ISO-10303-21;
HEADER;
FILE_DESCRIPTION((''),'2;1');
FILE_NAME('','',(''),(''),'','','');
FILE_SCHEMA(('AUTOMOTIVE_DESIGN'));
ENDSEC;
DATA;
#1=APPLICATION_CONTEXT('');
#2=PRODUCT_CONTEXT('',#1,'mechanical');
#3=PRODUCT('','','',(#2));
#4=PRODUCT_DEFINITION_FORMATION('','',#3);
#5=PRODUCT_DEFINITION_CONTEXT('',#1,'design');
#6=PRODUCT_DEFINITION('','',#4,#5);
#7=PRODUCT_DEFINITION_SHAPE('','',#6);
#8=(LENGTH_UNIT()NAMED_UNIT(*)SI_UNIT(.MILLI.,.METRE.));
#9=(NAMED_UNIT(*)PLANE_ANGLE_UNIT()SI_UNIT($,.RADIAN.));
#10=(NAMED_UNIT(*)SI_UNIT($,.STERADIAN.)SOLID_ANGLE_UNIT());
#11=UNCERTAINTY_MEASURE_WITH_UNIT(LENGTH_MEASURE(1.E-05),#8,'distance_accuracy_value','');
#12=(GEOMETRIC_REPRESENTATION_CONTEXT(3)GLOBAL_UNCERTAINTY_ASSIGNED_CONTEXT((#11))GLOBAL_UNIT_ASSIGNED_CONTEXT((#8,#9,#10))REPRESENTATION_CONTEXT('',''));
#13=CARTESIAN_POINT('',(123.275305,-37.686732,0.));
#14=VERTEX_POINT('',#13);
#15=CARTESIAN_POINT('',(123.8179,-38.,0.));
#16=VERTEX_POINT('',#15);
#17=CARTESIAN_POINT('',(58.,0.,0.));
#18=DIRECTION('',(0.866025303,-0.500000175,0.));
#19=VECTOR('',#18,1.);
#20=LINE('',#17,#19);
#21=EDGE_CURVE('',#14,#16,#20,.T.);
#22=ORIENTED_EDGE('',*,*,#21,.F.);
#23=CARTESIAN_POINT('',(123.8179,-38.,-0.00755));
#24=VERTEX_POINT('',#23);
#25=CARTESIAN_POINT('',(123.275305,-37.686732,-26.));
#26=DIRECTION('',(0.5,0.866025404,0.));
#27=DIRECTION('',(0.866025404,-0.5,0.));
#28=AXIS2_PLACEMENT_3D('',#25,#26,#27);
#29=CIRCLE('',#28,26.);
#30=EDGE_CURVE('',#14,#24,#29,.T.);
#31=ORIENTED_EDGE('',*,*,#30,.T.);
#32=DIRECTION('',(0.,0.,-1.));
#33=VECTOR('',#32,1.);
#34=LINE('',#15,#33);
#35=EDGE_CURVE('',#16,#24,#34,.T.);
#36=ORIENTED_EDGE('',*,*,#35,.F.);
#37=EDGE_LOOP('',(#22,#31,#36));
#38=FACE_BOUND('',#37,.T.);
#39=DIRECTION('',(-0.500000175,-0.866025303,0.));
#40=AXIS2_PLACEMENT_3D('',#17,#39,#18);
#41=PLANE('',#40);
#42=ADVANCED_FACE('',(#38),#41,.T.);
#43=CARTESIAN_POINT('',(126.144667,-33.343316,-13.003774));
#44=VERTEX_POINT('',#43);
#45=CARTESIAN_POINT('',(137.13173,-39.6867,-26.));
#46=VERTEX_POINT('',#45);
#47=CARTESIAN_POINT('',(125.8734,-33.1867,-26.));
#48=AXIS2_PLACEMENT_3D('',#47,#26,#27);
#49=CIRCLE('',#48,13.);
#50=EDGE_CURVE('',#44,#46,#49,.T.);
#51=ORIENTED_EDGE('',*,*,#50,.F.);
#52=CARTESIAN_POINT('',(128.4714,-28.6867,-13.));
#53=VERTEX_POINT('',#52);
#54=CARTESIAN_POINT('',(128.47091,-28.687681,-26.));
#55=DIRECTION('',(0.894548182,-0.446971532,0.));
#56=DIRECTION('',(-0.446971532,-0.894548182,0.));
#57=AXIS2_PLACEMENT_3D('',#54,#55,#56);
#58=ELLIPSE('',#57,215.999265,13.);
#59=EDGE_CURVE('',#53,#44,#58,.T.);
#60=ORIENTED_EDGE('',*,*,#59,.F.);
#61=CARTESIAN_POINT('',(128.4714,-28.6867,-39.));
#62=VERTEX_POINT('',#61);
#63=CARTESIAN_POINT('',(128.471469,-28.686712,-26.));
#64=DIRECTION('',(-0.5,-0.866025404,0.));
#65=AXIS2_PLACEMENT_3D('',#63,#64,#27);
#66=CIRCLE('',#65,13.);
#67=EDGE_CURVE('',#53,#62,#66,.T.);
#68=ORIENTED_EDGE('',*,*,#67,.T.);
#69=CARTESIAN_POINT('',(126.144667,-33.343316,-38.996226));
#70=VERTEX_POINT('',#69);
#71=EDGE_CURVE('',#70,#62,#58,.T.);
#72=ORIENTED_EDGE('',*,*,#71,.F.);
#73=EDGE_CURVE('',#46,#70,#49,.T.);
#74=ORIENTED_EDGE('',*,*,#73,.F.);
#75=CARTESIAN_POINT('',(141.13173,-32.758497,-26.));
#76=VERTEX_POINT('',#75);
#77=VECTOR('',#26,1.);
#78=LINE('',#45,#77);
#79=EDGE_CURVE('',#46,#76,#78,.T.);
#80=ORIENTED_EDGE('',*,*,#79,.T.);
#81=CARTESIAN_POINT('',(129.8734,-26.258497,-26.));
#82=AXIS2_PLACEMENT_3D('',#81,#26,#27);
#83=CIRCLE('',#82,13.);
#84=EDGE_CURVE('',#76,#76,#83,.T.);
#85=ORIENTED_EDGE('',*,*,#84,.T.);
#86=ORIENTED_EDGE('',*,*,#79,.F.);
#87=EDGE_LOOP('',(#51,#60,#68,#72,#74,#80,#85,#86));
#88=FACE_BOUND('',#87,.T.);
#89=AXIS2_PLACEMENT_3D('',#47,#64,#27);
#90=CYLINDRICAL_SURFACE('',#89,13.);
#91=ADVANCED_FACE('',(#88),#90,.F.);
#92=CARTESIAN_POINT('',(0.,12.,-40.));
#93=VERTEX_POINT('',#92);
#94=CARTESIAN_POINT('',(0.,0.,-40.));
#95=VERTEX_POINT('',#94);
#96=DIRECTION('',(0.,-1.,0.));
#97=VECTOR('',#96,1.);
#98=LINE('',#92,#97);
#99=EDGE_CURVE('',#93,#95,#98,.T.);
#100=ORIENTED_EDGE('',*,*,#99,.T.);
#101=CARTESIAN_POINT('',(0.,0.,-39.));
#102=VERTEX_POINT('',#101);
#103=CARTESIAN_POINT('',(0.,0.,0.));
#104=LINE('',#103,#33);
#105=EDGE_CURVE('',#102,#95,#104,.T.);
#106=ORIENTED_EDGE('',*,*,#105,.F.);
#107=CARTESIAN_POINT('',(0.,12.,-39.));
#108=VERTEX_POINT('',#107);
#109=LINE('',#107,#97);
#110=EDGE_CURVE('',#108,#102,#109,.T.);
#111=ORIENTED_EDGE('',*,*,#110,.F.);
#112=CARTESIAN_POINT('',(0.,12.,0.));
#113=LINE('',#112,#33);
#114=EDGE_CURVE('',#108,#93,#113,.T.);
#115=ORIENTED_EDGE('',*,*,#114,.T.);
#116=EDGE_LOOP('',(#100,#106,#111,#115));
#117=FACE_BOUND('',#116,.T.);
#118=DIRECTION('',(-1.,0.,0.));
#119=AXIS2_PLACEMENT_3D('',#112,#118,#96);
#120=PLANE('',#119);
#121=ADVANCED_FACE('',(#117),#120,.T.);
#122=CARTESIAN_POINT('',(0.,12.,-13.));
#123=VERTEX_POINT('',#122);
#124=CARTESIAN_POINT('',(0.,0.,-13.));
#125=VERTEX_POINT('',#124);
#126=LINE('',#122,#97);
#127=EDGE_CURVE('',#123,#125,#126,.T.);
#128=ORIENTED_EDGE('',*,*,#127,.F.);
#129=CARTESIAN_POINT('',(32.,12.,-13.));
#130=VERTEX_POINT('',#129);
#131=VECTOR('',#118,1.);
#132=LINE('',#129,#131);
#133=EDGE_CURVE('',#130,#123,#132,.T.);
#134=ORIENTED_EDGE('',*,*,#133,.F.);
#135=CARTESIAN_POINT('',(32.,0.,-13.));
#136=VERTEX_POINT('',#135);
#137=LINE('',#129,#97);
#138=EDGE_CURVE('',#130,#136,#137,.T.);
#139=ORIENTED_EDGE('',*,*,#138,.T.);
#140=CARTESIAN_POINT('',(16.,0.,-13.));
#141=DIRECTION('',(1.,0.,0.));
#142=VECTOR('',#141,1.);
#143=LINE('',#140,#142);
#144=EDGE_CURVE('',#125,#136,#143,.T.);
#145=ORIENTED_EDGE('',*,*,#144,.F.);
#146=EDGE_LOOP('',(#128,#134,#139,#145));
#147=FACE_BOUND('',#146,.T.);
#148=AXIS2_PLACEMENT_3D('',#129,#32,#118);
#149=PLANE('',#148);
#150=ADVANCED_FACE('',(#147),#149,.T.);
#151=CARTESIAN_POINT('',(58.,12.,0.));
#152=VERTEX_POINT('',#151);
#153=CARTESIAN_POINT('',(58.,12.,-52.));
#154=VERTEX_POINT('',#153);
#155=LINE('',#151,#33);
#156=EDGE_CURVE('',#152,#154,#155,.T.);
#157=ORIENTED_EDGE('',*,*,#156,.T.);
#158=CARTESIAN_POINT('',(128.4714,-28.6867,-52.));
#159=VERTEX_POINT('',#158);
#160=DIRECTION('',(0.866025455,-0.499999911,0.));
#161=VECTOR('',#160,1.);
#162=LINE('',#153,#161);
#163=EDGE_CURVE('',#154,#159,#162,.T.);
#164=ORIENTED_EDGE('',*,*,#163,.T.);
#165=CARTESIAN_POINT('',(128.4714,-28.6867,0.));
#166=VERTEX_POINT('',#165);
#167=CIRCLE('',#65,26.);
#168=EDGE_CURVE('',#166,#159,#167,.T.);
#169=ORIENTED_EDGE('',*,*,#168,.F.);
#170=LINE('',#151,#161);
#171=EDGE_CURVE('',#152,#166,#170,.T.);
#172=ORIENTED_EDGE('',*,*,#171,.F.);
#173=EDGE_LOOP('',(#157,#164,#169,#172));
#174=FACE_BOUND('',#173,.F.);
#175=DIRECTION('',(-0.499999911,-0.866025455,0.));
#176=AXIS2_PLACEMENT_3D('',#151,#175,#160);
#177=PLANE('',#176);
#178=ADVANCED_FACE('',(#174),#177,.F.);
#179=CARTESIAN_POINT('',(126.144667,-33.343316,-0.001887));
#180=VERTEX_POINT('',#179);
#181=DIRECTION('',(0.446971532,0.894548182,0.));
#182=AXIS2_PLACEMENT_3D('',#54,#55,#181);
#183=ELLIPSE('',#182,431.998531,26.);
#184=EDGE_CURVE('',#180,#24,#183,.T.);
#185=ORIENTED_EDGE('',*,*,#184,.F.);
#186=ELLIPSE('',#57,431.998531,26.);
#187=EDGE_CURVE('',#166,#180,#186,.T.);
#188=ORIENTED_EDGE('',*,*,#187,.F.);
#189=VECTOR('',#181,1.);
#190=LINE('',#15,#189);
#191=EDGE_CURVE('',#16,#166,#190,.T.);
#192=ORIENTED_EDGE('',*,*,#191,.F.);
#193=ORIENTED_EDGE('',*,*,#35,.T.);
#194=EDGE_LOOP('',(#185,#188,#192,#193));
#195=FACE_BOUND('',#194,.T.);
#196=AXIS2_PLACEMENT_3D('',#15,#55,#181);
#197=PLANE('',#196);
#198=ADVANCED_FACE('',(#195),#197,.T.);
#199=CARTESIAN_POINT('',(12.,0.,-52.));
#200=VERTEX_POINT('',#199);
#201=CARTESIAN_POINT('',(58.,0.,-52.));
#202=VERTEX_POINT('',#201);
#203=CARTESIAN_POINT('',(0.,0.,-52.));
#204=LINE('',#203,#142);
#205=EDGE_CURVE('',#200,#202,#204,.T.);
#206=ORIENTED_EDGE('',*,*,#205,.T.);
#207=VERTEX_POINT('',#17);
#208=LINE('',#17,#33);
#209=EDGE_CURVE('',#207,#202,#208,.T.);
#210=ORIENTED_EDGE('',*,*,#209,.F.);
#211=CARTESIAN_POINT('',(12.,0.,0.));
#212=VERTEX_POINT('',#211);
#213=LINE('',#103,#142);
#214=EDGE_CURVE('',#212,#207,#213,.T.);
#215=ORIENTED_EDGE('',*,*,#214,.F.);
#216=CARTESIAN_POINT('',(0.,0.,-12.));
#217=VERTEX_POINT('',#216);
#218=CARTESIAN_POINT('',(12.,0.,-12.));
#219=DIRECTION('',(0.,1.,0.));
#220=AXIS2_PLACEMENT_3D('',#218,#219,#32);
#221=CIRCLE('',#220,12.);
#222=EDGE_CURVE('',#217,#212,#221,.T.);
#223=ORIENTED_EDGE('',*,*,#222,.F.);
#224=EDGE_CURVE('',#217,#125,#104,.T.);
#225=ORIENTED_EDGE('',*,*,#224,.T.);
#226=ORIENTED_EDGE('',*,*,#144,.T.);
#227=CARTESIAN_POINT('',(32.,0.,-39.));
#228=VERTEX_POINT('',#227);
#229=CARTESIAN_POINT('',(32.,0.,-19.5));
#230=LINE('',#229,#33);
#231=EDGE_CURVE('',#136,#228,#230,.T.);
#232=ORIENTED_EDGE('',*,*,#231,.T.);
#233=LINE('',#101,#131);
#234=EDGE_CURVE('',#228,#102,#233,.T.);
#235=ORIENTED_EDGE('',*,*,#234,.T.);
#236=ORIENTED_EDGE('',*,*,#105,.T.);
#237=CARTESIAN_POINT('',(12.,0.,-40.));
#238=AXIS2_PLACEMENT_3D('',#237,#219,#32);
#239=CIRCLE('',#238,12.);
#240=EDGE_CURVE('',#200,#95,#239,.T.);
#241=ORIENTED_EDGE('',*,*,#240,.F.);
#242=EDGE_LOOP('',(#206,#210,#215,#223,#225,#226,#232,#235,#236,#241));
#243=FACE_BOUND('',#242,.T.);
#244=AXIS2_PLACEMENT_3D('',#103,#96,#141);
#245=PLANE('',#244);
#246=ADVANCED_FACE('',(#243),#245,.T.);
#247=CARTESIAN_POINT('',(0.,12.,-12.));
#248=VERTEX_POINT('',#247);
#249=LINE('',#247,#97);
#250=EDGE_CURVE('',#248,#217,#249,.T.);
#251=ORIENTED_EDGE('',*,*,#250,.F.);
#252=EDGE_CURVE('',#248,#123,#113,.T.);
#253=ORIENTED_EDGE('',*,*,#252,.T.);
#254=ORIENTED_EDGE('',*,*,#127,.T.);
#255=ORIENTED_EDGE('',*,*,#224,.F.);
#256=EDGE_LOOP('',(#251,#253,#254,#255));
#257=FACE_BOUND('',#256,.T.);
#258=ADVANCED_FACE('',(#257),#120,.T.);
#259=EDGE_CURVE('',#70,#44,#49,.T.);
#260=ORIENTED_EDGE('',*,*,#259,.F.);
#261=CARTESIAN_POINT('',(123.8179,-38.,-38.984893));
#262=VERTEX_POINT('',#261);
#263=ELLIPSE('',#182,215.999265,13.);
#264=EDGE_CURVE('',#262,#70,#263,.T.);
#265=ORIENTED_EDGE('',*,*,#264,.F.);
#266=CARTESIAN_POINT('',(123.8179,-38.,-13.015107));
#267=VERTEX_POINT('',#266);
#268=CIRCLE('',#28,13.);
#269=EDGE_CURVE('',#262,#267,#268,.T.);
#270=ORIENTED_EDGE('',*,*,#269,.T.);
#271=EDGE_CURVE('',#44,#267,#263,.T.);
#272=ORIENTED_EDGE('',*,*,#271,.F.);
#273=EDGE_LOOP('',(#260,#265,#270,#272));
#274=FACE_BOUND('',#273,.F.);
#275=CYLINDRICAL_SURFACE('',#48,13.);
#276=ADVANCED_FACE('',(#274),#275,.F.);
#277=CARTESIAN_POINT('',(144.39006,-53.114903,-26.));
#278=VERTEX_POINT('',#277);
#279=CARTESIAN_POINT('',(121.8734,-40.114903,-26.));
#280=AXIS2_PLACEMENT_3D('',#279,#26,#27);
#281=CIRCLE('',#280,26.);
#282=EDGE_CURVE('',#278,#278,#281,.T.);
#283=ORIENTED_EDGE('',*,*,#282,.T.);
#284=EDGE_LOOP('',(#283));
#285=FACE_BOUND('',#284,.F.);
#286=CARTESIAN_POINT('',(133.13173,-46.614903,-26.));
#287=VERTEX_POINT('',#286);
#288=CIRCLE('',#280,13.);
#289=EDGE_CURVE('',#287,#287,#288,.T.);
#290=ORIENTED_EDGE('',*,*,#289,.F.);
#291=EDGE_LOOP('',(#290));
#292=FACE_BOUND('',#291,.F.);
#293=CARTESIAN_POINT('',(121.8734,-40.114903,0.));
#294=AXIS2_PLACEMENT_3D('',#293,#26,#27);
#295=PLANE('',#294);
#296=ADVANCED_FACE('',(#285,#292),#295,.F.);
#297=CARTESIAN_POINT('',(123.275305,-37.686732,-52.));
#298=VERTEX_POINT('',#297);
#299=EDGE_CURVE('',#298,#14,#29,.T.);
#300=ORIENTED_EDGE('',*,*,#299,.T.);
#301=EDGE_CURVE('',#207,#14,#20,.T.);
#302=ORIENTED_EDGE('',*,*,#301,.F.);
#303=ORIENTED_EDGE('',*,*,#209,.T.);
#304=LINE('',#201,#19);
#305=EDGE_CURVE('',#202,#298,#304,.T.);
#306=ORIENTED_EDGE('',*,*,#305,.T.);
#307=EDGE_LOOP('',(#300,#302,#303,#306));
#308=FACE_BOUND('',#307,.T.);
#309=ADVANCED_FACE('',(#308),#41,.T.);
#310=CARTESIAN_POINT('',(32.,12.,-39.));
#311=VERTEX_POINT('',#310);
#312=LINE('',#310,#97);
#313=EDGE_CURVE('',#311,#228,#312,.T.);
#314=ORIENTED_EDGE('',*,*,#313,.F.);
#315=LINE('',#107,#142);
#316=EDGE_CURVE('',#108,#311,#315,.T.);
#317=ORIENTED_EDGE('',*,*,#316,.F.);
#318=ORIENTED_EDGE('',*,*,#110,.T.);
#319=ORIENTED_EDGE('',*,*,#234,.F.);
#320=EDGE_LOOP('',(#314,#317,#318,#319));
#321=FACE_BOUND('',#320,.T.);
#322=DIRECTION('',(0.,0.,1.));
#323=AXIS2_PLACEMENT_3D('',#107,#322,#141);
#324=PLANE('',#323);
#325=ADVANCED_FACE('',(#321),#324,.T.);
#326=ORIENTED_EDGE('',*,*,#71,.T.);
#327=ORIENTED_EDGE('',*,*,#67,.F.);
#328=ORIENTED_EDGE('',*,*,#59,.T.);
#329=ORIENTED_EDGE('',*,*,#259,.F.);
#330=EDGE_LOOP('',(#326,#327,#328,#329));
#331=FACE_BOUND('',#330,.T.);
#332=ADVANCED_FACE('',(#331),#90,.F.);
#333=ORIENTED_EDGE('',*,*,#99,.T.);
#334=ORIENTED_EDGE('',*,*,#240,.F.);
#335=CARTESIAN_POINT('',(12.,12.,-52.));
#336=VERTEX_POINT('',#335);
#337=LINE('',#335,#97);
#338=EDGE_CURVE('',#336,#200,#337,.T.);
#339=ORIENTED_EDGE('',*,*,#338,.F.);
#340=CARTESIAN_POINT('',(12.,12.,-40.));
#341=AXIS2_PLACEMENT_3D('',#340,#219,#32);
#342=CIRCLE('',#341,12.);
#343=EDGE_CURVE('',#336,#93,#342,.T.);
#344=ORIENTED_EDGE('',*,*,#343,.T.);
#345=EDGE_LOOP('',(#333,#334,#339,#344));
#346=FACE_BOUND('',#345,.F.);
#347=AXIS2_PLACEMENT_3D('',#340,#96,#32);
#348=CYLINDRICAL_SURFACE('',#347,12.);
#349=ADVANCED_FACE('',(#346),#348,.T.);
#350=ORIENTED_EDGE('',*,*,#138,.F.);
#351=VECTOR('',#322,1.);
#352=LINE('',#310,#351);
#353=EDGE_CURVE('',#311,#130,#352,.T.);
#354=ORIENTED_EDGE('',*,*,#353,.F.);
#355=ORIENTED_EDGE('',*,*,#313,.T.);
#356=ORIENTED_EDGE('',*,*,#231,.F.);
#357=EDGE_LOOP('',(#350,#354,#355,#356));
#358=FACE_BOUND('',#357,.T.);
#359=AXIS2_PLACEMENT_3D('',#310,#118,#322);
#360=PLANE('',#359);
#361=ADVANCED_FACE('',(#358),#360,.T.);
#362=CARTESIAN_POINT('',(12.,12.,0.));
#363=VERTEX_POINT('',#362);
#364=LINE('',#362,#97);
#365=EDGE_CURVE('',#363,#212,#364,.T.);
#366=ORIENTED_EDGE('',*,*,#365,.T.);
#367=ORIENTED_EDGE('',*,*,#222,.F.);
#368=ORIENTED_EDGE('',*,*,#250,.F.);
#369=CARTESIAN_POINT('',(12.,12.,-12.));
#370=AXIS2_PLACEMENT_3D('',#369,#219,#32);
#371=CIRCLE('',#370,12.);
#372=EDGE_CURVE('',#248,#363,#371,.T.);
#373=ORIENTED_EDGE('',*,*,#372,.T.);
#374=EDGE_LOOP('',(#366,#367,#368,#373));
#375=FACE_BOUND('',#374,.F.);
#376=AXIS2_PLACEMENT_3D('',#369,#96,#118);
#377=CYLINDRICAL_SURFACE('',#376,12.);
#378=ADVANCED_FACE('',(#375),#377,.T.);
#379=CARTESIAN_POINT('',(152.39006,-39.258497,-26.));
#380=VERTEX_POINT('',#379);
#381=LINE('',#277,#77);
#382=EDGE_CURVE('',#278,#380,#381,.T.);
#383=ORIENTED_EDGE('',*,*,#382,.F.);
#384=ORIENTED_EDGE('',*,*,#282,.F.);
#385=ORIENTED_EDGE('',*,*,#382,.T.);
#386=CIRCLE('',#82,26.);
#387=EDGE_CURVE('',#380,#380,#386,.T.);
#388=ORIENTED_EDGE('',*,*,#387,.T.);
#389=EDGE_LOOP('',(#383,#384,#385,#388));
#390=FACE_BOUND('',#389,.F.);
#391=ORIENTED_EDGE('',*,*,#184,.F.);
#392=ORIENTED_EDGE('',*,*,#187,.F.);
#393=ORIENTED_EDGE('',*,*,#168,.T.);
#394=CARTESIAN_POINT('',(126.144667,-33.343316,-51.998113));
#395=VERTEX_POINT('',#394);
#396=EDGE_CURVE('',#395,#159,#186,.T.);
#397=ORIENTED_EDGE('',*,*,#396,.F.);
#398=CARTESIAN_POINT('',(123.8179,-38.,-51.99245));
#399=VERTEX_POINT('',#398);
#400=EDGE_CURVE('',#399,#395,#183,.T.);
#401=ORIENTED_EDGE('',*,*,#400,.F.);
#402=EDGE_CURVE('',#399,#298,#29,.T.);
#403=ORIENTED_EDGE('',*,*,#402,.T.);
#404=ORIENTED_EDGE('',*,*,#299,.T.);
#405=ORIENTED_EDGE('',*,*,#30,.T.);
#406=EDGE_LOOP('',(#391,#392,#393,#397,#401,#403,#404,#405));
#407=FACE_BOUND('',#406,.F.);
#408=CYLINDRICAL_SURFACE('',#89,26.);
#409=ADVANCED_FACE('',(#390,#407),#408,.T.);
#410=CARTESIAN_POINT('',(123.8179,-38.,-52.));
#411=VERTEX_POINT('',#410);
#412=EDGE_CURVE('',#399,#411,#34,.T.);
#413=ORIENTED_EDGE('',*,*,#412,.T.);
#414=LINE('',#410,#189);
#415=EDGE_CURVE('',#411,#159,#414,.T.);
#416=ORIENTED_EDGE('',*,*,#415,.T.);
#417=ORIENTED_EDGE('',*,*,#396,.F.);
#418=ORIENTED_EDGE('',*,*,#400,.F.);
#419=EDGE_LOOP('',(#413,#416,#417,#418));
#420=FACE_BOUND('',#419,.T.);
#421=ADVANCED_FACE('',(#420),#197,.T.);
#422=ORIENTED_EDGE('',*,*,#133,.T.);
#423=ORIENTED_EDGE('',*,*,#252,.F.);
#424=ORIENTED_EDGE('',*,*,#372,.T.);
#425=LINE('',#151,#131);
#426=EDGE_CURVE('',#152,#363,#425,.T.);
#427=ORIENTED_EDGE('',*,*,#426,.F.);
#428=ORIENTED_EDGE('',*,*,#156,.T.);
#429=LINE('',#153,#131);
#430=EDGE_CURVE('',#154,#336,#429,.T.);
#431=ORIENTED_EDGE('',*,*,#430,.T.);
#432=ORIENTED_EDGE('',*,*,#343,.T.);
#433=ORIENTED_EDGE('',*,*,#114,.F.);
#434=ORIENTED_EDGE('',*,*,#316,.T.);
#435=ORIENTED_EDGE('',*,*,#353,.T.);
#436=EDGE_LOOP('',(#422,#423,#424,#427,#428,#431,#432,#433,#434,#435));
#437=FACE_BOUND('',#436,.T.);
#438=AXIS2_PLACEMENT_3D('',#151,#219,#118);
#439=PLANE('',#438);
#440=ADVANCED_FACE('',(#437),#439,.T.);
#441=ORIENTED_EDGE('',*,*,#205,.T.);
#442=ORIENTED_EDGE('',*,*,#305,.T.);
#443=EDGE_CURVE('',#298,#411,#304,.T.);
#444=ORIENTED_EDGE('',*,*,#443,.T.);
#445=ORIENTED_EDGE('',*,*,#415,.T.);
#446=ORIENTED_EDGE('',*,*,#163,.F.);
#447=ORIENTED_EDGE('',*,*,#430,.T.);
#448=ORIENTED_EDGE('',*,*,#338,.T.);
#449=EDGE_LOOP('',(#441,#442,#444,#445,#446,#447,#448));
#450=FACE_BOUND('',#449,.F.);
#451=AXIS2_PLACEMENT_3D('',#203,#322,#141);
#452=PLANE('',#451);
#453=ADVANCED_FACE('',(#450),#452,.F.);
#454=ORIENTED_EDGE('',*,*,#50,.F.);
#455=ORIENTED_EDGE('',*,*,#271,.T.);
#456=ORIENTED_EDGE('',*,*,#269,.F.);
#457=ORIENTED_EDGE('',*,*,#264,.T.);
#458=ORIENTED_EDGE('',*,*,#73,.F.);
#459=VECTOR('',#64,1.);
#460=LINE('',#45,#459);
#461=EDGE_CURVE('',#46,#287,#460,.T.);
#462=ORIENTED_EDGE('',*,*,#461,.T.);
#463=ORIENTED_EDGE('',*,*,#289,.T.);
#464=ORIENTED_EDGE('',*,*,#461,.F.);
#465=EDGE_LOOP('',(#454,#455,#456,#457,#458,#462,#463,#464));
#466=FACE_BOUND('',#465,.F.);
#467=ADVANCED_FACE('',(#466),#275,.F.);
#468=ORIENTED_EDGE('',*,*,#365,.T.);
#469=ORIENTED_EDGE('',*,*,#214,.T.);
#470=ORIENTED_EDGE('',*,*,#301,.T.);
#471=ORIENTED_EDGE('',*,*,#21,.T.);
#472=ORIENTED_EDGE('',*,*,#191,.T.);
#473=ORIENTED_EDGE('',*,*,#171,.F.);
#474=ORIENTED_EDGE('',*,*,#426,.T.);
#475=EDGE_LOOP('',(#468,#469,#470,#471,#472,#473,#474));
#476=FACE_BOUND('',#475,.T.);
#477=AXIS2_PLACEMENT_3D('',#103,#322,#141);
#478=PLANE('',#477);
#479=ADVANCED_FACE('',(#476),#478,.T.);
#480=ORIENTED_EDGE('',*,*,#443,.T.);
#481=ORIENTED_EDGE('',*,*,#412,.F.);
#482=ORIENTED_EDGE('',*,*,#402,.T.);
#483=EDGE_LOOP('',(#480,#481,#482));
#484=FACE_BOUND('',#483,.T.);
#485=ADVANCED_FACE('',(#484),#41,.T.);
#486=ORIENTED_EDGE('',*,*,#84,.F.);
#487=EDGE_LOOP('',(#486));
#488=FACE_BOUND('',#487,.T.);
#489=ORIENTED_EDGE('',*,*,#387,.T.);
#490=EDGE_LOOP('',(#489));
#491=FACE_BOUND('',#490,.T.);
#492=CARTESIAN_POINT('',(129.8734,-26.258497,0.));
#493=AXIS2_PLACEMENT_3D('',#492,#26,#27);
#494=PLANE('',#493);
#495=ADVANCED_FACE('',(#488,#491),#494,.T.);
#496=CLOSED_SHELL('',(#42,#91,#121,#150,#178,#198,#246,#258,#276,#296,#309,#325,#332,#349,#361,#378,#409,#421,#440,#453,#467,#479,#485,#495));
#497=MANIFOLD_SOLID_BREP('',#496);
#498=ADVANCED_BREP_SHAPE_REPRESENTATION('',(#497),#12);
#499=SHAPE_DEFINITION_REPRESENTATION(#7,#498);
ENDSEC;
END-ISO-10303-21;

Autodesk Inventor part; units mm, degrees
ref_plane "YZ Plane" through (0, 0, 0) normal (1, 0, 0) x (0, 1, 0)
ref_plane "XZ Plane" through (0, 0, 0) normal (0, 1, 0) x (-1, 0, 0)
sketch "Sketch1" plane through (0, 0, 0) normal (0, 0, 1) x (1, 0, 0)
  line L0 (0, 0) -> (58, 0)
  line L1 (58, 0) -> (58, 12)
  line L2 (58, 12) -> (0, 12)
  line L3 (0, 12) -> (0, 0)
  line L4 (58, 12) -> (36.0591, 24.6676) construction
  line L5 (58, 12) -> (129.0141, -29)
  line L6 (58, 12) -> (140, 12) construction
  line L7 (58, 0) -> (123.8179, -38)
  line L8 (58, 0) -> (134, 0) construction
  line L9 (123.8179, -38) -> (128.4714, -28.6867)
  dimension "d0" = 58
  dimension "d1" = 12
  dimension "d2" = 30
  dimension "d3" = 82
  dimension "d4" = 30
  dimension "d5" = 30
  dimension "d6" = 93.45
  dimension "d7" = 127.746
  dimension "d8" = 106.5151
extrude "Extrusion1" add sketch "Sketch1" against normal blind 52
ref_plane "Work Plane1" through (125.8734, -33.1867, 0) normal (0.5, 0.866, 0) x (0.866, -0.5, 0)
sketch "Sketch3" plane through (125.8734, -33.1867, 0) normal (0.5, 0.866, 0) x (0.866, -0.5, 0)
  line L0 (0, 0) -> (0, 52) construction
  circle A0 centre (0, 26) radius 26
  circle A1 centre (0, 26) radius 13
  point P0 (-125.6029, 0)
  dimension "d12" = 26
extrude "Extrusion2" add sketch "Sketch3" along normal mid plane 16
extrude "Extrusion3" cut sketch "Sketch3" along normal through all both and the other way through all contours A1
sketch "Sketch4" plane through (0, 12, 0) normal (0, 1, 0) x (1, 0, 0)
  line L0 (0, 0) -> (0, 52) projected
  line L1 (0, 26) -> (0, 39)
  line L2 (0, 39) -> (32, 39)
  line L3 (32, 39) -> (32, 13)
  line L4 (32, 13) -> (0, 13)
  line L5 (0, 13) -> (0, 39)
  dimension "d17" = 13
  dimension "d18" = 32
  dimension "d19" = 26
extrude "Extrusion4" cut sketch "Sketch4" against normal through all
fillet "Fillet1" radius 12 2 edges at (0, 6, 0) (0, 6, -52)
properties part number "LE-1.4"
